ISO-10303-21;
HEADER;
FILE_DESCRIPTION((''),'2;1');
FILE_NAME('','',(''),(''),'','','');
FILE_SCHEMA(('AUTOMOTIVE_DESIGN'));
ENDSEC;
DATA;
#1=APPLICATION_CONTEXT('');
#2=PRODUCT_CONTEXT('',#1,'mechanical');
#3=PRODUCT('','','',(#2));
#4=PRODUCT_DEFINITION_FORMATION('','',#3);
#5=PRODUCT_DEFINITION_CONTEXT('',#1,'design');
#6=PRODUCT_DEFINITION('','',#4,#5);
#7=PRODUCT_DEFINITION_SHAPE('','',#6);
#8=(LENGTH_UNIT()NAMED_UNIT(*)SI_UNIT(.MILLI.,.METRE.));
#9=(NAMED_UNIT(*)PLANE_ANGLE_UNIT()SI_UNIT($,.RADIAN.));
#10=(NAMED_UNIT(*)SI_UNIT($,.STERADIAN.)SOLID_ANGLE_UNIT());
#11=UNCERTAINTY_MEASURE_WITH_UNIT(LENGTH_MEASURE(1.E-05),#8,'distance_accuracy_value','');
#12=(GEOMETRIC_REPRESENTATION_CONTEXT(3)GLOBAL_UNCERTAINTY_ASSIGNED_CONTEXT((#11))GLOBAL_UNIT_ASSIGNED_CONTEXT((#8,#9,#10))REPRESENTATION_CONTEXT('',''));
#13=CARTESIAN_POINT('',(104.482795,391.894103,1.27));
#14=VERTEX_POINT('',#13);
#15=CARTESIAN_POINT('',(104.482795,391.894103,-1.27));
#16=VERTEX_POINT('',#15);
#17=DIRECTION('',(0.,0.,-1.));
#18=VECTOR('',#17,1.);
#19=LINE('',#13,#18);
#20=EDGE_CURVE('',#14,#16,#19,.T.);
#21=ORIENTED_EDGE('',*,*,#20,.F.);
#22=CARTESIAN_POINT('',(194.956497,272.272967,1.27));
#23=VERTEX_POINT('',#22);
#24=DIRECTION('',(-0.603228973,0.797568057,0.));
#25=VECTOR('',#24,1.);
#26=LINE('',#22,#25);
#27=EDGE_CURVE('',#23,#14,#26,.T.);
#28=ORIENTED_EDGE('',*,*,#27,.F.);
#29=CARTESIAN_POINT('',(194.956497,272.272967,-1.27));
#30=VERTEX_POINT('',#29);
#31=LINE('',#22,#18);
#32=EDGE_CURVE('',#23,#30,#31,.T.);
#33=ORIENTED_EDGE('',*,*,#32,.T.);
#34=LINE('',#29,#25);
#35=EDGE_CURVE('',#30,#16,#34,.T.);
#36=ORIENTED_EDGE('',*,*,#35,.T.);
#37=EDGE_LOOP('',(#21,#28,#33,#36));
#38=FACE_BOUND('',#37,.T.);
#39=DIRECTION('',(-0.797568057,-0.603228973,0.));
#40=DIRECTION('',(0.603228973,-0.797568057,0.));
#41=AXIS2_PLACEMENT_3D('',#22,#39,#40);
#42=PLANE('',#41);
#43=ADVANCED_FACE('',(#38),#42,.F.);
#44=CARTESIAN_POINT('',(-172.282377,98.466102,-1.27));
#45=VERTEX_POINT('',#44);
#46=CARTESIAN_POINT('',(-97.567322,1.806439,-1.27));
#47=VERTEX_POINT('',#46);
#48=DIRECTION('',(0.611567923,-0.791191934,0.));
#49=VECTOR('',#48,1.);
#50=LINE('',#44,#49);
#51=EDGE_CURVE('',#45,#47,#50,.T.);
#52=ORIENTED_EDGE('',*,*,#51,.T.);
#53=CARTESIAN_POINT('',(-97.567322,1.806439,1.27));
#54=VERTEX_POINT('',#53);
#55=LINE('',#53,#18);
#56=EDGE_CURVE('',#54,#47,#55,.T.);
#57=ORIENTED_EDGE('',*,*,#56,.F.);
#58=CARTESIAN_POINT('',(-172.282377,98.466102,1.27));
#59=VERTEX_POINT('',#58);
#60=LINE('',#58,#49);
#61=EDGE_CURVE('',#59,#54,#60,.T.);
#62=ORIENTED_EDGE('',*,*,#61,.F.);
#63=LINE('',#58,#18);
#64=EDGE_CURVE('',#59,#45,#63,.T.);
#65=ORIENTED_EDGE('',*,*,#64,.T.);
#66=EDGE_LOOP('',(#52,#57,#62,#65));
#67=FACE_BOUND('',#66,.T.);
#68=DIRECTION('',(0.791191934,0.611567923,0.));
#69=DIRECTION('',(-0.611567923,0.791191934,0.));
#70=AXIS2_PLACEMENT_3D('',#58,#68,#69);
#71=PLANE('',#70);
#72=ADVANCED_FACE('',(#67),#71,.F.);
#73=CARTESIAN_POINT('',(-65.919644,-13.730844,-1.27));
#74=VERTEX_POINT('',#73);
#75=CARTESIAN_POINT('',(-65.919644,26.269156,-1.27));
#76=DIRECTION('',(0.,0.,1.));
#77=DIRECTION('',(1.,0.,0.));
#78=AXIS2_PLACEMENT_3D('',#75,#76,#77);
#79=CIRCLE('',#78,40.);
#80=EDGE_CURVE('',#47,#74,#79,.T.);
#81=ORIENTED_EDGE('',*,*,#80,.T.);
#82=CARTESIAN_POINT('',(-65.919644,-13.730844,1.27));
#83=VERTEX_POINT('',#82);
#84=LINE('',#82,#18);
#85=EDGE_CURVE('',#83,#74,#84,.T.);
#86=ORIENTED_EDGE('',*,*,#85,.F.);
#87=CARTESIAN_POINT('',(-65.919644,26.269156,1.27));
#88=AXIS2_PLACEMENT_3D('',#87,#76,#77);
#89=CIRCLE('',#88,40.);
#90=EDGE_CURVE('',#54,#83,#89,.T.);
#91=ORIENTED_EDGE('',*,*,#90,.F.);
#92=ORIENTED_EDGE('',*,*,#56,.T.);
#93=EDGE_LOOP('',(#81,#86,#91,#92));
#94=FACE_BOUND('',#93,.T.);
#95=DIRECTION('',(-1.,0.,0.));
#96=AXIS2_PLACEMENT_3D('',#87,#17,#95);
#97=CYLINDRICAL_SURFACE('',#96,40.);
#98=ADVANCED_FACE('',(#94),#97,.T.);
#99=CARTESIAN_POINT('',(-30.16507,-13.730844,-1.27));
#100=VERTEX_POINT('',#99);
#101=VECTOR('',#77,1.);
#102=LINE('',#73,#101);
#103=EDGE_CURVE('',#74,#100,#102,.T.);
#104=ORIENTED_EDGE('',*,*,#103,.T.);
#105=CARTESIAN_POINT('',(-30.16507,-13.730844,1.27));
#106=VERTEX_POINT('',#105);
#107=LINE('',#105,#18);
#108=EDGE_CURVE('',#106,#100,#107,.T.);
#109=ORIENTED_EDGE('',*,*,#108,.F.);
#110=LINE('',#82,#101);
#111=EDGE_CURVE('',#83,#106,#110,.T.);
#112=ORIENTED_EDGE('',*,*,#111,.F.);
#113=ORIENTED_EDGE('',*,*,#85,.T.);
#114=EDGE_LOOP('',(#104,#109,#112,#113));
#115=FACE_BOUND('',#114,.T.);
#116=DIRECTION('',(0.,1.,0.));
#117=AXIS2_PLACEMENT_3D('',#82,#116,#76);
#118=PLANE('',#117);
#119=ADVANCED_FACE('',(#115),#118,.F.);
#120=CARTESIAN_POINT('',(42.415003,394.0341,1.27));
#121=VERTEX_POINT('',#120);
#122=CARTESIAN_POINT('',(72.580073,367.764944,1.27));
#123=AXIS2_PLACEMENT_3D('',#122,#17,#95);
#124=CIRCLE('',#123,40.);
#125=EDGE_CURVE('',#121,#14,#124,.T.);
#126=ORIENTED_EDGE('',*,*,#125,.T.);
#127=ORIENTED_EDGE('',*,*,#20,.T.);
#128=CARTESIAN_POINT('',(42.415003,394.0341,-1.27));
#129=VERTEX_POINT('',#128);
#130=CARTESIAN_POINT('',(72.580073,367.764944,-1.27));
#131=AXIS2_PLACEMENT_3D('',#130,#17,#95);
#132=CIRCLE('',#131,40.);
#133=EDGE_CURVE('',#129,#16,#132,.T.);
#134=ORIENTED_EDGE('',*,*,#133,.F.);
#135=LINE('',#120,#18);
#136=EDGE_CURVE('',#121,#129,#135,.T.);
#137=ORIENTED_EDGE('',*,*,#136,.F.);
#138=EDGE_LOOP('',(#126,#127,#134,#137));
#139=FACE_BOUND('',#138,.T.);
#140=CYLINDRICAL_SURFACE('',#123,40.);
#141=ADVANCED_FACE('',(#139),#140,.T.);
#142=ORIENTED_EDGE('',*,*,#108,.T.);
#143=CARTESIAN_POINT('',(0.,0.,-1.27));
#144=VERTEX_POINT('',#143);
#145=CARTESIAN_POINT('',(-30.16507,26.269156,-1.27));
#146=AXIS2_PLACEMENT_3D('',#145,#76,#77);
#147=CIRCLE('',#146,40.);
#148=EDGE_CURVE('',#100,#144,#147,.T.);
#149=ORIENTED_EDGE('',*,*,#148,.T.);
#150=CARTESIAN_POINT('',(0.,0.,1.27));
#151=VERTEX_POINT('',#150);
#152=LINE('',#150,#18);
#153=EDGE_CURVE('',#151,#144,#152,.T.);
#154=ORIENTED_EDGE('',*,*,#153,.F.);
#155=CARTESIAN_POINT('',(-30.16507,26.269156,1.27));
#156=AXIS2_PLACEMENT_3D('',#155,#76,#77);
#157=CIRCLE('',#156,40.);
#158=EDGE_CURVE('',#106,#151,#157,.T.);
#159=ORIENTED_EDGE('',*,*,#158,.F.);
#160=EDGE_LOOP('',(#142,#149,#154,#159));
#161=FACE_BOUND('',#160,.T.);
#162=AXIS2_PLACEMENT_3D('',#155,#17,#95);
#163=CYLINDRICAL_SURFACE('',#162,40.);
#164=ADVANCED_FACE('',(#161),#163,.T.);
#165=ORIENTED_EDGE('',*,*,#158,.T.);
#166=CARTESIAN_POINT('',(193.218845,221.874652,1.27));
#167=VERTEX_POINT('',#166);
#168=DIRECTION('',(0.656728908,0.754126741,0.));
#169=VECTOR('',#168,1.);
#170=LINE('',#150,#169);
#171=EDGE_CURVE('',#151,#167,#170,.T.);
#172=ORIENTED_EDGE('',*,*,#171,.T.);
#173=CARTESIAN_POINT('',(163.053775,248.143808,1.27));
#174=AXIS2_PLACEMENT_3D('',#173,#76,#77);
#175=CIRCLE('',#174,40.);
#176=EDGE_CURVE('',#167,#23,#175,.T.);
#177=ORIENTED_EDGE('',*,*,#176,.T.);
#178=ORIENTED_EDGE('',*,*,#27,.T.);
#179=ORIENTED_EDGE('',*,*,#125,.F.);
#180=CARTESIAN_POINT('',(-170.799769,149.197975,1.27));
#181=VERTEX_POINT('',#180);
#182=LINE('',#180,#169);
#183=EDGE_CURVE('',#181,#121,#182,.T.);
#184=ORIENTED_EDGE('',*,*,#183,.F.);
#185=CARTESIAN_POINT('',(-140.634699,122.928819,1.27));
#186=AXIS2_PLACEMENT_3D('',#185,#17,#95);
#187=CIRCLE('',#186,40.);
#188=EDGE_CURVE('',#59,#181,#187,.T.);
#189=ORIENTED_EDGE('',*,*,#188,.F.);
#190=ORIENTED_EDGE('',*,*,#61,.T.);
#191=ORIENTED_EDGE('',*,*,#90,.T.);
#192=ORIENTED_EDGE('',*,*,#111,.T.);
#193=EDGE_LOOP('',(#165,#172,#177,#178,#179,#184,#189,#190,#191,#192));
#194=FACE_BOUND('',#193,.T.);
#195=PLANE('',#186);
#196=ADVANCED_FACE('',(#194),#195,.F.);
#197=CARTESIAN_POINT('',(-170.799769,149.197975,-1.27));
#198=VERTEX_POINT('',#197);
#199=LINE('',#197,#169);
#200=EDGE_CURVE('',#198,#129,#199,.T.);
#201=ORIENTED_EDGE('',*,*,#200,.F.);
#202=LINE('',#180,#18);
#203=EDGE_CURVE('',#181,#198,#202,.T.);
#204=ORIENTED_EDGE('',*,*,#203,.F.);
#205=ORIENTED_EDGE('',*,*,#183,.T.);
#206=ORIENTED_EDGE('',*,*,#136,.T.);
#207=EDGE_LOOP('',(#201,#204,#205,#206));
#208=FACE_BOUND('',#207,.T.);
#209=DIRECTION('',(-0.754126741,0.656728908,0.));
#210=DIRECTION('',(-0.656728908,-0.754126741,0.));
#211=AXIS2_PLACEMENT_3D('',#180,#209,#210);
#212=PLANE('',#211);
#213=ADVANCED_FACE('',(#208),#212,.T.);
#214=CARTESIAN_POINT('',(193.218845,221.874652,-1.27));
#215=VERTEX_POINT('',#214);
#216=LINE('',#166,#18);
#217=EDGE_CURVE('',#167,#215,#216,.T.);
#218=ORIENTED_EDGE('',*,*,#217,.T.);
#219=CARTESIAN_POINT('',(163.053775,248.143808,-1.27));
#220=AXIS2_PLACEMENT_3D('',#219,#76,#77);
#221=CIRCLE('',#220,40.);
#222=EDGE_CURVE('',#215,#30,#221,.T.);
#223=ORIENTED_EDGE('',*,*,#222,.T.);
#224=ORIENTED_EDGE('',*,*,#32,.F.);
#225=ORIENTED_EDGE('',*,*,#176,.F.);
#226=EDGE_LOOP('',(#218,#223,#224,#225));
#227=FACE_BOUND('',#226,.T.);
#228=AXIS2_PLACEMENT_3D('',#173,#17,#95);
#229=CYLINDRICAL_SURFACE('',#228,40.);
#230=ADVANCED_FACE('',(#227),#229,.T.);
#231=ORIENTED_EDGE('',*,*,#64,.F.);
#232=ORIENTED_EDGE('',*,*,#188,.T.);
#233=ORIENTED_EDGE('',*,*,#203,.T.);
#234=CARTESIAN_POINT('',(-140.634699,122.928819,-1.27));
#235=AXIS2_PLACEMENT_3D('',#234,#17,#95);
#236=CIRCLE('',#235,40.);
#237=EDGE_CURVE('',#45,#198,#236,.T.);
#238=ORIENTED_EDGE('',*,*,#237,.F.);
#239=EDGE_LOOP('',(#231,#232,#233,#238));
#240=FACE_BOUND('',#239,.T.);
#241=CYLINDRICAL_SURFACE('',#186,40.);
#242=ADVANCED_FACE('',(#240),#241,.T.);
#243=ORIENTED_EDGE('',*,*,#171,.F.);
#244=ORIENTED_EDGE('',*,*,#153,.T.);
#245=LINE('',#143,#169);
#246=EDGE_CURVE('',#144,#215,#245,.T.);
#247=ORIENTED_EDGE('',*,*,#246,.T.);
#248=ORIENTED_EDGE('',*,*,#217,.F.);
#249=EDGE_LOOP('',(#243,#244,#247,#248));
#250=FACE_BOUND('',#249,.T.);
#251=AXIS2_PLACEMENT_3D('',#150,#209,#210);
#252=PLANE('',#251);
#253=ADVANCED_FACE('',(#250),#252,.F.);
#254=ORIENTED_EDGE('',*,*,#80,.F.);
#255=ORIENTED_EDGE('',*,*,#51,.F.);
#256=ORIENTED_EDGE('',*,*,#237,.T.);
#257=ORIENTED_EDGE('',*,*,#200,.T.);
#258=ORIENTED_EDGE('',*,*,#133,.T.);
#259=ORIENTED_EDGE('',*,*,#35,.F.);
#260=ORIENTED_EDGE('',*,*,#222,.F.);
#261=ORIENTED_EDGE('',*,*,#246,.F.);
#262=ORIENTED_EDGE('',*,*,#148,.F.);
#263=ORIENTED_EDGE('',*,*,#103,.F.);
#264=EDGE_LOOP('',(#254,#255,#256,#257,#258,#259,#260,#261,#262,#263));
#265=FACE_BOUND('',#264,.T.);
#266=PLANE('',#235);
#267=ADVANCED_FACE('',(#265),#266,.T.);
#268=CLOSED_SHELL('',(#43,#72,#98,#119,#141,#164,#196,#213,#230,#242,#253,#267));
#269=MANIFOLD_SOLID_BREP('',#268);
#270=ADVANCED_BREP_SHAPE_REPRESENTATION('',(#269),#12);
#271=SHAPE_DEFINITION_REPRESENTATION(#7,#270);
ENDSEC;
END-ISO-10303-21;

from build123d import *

# Parameters (mm, degrees)
BOSS_EXTRUDE1_DEPTH = 1.5875
SCALE1_SCALE        = 0.8


with BuildPart() as part:
    # Sketch1 → Boss-Extrude1 (new body, symmetric)
    with BuildSketch(Plane.XY):
        with BuildLine():
            Line((-213.499711216, 186.497468723), (53.01875396, 492.542625266))
            ThreePointArc((53.01875396, 492.542625266), (92.447986648, 509.676487347), (130.603493871, 489.867628503))
            Line((130.603493871, 489.867628503), (243.695621782, 340.341208487))
            ThreePointArc((243.695621782, 340.341208487), (253.7875264, 308.456864193), (241.52355595, 277.343314433))
            Line((241.52355595, 277.343314433), (0, 0))
            ThreePointArc((0, 0), (-16.991876757, -12.670819234), (-37.70633704, -17.163554592))
            Line((-37.70633704, -17.163554592), (-82.399555371, -17.163554592))
            ThreePointArc((-82.399555371, -17.163554592), (-104.434529771, -12.046289615), (-121.959152061, 2.25804928))
            Line((-121.959152061, 2.25804928), (-215.352970866, 123.082627187))
            ThreePointArc((-215.352970866, 123.082627187), (-225.772036229, 155.121618903), (-213.499711216, 186.497468723))
        make_face()
    extrude(amount=BOSS_EXTRUDE1_DEPTH, both=True)


with BuildPart() as part_1:
    # Scale1: scaled about (0, 0, 0)
    add(part.part.scale(SCALE1_SCALE))


solid = part_1.part
